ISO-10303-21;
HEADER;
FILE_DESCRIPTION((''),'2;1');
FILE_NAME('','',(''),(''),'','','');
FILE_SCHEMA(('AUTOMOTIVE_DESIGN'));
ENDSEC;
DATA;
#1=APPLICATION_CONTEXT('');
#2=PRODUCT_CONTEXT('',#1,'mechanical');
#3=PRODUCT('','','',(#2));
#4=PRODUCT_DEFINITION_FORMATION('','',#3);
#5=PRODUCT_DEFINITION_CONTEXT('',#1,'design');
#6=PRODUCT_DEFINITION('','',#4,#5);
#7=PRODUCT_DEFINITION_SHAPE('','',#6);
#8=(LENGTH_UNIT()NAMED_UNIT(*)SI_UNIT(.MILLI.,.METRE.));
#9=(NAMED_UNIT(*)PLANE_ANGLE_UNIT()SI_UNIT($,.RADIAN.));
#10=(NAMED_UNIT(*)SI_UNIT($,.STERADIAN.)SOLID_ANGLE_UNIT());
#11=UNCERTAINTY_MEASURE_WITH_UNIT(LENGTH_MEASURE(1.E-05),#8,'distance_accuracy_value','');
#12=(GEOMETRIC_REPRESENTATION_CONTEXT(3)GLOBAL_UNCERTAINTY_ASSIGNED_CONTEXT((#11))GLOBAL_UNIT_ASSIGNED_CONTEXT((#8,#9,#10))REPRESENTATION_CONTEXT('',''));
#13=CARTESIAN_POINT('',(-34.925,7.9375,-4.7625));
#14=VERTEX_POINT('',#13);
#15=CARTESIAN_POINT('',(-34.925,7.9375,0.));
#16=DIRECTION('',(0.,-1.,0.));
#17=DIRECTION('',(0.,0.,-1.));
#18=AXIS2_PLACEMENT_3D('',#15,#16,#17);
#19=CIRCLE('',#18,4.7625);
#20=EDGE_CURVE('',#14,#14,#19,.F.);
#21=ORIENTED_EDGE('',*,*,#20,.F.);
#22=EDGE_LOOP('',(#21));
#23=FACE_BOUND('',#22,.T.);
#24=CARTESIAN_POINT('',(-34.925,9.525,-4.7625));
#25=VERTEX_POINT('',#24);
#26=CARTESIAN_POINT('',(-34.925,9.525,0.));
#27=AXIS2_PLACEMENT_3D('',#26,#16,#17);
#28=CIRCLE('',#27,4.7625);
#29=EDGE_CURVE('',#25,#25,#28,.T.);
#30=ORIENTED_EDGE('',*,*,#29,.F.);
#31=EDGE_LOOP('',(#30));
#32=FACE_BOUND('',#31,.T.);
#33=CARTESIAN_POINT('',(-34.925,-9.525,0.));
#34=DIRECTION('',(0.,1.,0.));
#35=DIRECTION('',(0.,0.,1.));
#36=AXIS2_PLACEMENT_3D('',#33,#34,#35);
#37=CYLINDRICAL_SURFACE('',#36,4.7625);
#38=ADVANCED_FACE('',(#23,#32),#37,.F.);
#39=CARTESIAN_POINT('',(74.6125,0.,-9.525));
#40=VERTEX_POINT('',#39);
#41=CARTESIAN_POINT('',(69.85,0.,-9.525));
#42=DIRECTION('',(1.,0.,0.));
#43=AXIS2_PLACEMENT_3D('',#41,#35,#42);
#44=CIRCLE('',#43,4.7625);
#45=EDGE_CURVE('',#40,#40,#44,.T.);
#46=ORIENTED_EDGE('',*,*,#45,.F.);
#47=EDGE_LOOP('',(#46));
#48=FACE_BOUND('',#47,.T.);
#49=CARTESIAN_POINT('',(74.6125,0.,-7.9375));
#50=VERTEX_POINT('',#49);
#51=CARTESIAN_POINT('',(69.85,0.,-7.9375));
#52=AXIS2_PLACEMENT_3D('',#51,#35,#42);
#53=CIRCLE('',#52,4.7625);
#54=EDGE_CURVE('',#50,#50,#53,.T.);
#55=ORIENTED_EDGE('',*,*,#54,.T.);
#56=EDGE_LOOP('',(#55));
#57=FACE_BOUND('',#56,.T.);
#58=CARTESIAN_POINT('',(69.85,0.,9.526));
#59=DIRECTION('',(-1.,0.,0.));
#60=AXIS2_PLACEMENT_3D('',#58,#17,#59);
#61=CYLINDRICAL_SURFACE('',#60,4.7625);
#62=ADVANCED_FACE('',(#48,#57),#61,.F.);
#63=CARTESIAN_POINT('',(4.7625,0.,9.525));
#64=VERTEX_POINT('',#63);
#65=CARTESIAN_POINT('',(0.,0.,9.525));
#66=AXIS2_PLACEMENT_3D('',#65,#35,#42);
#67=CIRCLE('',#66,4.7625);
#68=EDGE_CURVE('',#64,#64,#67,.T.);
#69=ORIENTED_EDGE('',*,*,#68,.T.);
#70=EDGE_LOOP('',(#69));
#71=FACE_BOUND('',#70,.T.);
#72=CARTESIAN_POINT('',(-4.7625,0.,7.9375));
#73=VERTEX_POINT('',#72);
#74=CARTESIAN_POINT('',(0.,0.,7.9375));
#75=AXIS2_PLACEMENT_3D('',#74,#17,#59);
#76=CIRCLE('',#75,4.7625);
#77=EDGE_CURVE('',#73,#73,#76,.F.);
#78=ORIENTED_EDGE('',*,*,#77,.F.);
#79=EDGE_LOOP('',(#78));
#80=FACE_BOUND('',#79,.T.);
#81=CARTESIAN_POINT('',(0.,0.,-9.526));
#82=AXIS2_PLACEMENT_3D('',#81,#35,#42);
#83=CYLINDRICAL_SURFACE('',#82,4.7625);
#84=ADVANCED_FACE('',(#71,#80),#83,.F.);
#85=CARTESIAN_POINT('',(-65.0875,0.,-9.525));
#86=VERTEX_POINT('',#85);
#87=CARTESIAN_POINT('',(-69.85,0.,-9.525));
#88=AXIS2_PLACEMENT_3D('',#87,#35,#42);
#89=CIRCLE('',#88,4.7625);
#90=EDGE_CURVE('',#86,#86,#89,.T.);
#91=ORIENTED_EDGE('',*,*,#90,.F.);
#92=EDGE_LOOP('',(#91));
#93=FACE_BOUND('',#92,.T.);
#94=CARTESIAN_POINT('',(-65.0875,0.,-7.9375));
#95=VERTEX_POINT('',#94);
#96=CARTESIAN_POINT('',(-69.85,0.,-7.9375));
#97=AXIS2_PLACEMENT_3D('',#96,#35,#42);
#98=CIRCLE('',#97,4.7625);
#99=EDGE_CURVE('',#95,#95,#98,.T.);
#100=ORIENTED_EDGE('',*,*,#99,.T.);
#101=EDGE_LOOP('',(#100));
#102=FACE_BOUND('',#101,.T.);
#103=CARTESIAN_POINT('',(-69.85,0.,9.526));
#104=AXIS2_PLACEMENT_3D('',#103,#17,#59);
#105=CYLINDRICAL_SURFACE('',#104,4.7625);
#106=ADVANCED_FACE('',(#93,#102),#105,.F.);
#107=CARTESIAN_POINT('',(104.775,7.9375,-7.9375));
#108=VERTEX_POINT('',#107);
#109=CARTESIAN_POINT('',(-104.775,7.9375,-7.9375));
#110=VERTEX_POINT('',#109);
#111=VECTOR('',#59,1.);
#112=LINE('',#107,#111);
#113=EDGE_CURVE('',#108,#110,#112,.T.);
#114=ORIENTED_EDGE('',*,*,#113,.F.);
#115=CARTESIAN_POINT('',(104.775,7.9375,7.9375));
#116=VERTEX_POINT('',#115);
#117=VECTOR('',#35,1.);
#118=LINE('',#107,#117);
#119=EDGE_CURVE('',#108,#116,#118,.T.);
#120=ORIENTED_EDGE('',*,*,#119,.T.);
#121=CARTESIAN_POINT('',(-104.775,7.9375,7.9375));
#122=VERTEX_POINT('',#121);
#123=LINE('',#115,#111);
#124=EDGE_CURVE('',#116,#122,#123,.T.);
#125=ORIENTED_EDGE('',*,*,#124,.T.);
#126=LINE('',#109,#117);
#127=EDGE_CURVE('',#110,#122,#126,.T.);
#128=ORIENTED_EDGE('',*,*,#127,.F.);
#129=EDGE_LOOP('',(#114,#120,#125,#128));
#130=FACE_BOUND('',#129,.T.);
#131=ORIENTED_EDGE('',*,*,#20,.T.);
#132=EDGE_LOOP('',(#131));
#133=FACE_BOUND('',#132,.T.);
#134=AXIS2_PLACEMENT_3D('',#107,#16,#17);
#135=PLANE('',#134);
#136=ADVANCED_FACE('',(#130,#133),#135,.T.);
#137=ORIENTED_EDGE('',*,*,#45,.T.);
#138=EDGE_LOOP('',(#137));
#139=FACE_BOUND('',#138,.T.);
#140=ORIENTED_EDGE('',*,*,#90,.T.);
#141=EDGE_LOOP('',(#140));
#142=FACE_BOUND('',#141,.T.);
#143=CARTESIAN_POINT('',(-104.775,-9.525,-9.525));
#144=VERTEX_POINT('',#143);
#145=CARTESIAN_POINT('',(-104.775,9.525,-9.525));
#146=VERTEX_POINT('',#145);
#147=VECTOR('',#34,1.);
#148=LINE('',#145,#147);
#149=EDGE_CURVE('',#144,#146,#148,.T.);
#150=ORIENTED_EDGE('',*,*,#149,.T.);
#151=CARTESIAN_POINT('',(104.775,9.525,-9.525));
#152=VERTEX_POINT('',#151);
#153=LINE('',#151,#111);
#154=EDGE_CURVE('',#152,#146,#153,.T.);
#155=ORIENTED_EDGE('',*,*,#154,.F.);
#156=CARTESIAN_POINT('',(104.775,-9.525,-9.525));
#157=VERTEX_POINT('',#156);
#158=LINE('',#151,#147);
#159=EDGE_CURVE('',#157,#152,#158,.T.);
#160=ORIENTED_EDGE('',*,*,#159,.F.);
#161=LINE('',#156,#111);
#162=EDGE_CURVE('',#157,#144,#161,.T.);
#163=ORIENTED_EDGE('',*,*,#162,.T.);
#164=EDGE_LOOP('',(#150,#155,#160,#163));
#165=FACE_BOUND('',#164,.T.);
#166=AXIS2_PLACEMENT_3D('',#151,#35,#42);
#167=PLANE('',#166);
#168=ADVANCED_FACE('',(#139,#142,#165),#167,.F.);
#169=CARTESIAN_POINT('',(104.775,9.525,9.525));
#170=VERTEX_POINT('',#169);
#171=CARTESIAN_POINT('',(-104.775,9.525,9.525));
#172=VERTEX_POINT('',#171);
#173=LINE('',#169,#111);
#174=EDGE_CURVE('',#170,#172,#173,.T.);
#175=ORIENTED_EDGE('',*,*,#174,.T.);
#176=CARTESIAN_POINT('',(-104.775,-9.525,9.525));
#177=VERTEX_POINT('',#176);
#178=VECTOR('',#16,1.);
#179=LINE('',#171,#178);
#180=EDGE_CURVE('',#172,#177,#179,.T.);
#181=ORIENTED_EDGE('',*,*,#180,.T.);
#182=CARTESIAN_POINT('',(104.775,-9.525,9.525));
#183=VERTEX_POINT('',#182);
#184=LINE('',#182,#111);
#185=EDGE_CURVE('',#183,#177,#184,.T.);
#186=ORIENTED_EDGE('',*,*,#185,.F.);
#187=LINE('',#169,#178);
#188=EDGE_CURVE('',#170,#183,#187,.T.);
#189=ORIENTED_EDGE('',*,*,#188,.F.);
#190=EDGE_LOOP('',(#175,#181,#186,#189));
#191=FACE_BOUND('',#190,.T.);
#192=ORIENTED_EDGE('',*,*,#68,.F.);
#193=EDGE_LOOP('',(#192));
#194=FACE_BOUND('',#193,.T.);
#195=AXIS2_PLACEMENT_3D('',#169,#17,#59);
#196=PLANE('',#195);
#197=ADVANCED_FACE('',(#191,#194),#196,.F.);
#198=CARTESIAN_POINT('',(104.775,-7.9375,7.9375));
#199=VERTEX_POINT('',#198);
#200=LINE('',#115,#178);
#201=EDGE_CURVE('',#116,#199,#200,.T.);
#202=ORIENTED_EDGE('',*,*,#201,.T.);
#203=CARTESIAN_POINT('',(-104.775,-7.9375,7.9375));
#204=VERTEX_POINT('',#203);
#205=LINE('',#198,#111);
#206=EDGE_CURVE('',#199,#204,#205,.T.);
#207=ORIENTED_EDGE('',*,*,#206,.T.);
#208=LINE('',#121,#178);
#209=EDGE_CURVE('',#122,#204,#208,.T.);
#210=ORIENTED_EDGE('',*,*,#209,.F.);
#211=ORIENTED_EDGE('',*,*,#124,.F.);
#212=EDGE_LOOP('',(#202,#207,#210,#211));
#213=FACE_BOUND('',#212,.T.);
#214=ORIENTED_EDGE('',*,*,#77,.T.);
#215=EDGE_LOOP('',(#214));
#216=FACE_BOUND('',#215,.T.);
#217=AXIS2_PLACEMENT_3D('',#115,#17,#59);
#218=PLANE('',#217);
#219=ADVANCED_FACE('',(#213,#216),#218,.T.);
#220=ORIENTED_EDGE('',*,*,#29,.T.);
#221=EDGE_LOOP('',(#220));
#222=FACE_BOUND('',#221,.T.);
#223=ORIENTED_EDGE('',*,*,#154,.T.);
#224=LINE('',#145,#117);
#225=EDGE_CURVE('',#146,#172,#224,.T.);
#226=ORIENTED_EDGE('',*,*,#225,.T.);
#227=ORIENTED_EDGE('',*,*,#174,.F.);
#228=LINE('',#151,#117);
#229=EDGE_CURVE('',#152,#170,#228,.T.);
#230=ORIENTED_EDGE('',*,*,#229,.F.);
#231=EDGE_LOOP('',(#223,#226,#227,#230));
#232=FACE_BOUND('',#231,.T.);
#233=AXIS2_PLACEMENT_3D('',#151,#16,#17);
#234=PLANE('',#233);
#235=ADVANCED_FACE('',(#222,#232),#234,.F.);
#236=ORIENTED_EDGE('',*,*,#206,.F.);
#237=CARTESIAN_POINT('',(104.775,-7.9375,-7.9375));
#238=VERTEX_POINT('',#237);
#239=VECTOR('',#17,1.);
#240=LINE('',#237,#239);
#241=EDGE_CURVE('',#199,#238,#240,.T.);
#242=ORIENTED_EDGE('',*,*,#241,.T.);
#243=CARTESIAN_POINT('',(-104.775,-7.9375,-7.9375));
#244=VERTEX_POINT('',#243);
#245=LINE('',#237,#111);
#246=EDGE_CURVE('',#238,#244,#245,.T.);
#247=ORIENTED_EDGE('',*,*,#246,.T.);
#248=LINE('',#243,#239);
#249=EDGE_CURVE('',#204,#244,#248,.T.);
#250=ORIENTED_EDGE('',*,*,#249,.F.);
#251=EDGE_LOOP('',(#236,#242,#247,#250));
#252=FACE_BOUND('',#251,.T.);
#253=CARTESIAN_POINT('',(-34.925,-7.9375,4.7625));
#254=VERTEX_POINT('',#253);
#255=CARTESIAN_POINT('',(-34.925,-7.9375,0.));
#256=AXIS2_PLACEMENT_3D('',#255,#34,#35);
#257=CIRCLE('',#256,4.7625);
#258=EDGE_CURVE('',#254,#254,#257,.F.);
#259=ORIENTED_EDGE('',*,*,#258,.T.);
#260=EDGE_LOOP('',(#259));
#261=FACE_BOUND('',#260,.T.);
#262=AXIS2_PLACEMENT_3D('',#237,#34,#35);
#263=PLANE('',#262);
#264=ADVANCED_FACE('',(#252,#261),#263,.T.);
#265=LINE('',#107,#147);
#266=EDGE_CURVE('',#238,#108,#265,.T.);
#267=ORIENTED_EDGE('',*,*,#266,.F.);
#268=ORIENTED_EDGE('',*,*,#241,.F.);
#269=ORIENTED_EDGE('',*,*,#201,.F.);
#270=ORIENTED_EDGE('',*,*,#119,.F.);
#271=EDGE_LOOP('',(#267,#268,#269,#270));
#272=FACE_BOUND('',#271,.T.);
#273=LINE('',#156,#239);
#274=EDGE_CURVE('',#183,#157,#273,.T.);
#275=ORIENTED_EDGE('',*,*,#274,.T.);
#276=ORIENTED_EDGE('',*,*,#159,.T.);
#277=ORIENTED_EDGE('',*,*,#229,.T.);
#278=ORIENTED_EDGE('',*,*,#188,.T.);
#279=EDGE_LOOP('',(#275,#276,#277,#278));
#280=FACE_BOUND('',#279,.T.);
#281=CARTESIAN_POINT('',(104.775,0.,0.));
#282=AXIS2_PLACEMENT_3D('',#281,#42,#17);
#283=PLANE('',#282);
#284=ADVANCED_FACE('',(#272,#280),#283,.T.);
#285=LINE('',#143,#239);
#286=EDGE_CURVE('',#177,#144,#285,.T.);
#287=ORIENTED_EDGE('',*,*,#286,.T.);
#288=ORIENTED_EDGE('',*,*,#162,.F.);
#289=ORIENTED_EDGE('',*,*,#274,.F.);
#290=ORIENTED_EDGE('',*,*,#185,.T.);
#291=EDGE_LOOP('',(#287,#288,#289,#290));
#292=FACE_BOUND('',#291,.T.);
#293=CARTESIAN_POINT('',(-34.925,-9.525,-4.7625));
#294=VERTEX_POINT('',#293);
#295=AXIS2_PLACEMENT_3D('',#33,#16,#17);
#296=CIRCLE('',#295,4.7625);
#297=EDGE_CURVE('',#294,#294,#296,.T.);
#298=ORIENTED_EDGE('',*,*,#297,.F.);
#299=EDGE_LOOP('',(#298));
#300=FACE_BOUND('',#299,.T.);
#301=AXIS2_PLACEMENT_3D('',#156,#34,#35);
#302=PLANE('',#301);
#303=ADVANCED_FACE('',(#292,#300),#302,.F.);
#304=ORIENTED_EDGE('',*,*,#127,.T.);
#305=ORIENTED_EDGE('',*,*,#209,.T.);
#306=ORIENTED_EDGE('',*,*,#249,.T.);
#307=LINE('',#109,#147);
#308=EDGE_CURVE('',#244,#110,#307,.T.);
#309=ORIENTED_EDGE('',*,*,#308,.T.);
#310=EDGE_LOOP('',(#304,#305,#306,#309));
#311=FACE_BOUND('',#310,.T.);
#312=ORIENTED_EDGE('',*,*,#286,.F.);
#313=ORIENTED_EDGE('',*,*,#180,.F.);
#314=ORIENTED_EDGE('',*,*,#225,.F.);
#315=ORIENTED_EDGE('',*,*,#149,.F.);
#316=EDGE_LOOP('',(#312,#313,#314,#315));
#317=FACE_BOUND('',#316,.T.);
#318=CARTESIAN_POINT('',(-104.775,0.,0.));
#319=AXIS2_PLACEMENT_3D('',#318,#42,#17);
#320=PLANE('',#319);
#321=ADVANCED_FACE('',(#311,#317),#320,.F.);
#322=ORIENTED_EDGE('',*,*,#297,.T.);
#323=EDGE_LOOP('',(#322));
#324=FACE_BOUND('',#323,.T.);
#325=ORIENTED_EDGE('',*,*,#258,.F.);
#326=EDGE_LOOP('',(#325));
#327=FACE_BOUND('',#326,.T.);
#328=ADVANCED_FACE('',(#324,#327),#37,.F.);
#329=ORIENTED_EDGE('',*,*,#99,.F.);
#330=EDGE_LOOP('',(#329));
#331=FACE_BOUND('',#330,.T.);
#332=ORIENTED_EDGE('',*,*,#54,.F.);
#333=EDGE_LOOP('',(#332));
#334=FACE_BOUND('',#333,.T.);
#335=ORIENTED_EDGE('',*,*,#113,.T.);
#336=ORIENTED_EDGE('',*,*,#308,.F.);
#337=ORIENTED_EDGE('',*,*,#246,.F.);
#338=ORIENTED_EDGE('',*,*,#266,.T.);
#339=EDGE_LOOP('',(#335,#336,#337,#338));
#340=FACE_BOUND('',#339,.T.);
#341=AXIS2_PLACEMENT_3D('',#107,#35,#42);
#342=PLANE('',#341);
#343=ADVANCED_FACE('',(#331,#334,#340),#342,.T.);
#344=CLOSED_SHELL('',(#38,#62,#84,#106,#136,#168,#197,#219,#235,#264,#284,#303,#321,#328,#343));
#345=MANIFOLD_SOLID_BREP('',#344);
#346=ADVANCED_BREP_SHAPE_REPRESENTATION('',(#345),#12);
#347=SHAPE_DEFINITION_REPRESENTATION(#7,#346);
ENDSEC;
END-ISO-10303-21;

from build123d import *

# Parameters (mm, degrees)
SKETCH1_W                     = 19.05
SKETCH1_H                     = 19.05
SKETCH1_W_2                   = 15.875
SKETCH1_H_2                   = 15.875
BOSS_EXTRUDE1_DEPTH           = 104.775
POWERSUPPLY_MOUNT_HOLES_REACH = 21.05
SKETCH4_R                     = 4.7625
CUT_EXTRUDE1_REACH            = 21.05
SKETCH5_R                     = 4.7625
SKETCH6_R                     = 4.7625
CUT_EXTRUDE2_DEPTH            = 20.05


with BuildPart() as part:
    # Sketch1 → Boss-Extrude1 (new body, symmetric)
    with BuildSketch(Plane(origin=(0, 0, 0), x_dir=(0, -1, 0), z_dir=(1, 0, 0))):
        Rectangle(SKETCH1_W, SKETCH1_H)
        Rectangle(SKETCH1_W_2, SKETCH1_H_2, mode=Mode.SUBTRACT)
    extrude(amount=BOSS_EXTRUDE1_DEPTH, both=True)

    # Sketch4 → PowerSupply Mount Holes (cut, up to next)
    with BuildSketch(Plane.XY.offset(-9.525), mode=Mode.PRIVATE) as powersupply_mount_holes_sk1:
        with Locations((-69.85, 0)):
            Circle(SKETCH4_R)
    powersupply_mount_holes_tool1 = extrude(powersupply_mount_holes_sk1.sketch, amount=POWERSUPPLY_MOUNT_HOLES_REACH, mode=Mode.PRIVATE) & part.part
    add(powersupply_mount_holes_tool1.solids().sort_by_distance((-69.85, 0, -9.525))[0], mode=Mode.SUBTRACT)
    # Sketch4 → PowerSupply Mount Holes (cut, up to next)
    with BuildSketch(Plane.XY.offset(-9.525), mode=Mode.PRIVATE) as powersupply_mount_holes_sk2:
        with Locations((69.85, 0)):
            Circle(SKETCH4_R)
    powersupply_mount_holes_tool2 = extrude(powersupply_mount_holes_sk2.sketch, amount=POWERSUPPLY_MOUNT_HOLES_REACH, mode=Mode.PRIVATE) & part.part
    add(powersupply_mount_holes_tool2.solids().sort_by_distance((69.85, 0, -9.525))[0], mode=Mode.SUBTRACT)

    # Sketch5 → Cut-Extrude1 (cut, up to next)
    with BuildSketch(Plane.XY.offset(9.525), mode=Mode.PRIVATE) as cut_extrude1_sk1:
        Circle(SKETCH5_R)
    cut_extrude1_tool1 = extrude(cut_extrude1_sk1.sketch, amount=-CUT_EXTRUDE1_REACH, mode=Mode.PRIVATE) & part.part
    add(cut_extrude1_tool1.solids().sort_by_distance((0, 0, 9.525))[0], mode=Mode.SUBTRACT)

    # Sketch6 → Cut-Extrude2 (cut, through all)
    with BuildSketch(Plane.XZ.offset(-9.525)):
        with Locations((-34.925, 0)):
            Circle(SKETCH6_R)
    extrude(amount=CUT_EXTRUDE2_DEPTH, mode=Mode.SUBTRACT)


solid = part.part
